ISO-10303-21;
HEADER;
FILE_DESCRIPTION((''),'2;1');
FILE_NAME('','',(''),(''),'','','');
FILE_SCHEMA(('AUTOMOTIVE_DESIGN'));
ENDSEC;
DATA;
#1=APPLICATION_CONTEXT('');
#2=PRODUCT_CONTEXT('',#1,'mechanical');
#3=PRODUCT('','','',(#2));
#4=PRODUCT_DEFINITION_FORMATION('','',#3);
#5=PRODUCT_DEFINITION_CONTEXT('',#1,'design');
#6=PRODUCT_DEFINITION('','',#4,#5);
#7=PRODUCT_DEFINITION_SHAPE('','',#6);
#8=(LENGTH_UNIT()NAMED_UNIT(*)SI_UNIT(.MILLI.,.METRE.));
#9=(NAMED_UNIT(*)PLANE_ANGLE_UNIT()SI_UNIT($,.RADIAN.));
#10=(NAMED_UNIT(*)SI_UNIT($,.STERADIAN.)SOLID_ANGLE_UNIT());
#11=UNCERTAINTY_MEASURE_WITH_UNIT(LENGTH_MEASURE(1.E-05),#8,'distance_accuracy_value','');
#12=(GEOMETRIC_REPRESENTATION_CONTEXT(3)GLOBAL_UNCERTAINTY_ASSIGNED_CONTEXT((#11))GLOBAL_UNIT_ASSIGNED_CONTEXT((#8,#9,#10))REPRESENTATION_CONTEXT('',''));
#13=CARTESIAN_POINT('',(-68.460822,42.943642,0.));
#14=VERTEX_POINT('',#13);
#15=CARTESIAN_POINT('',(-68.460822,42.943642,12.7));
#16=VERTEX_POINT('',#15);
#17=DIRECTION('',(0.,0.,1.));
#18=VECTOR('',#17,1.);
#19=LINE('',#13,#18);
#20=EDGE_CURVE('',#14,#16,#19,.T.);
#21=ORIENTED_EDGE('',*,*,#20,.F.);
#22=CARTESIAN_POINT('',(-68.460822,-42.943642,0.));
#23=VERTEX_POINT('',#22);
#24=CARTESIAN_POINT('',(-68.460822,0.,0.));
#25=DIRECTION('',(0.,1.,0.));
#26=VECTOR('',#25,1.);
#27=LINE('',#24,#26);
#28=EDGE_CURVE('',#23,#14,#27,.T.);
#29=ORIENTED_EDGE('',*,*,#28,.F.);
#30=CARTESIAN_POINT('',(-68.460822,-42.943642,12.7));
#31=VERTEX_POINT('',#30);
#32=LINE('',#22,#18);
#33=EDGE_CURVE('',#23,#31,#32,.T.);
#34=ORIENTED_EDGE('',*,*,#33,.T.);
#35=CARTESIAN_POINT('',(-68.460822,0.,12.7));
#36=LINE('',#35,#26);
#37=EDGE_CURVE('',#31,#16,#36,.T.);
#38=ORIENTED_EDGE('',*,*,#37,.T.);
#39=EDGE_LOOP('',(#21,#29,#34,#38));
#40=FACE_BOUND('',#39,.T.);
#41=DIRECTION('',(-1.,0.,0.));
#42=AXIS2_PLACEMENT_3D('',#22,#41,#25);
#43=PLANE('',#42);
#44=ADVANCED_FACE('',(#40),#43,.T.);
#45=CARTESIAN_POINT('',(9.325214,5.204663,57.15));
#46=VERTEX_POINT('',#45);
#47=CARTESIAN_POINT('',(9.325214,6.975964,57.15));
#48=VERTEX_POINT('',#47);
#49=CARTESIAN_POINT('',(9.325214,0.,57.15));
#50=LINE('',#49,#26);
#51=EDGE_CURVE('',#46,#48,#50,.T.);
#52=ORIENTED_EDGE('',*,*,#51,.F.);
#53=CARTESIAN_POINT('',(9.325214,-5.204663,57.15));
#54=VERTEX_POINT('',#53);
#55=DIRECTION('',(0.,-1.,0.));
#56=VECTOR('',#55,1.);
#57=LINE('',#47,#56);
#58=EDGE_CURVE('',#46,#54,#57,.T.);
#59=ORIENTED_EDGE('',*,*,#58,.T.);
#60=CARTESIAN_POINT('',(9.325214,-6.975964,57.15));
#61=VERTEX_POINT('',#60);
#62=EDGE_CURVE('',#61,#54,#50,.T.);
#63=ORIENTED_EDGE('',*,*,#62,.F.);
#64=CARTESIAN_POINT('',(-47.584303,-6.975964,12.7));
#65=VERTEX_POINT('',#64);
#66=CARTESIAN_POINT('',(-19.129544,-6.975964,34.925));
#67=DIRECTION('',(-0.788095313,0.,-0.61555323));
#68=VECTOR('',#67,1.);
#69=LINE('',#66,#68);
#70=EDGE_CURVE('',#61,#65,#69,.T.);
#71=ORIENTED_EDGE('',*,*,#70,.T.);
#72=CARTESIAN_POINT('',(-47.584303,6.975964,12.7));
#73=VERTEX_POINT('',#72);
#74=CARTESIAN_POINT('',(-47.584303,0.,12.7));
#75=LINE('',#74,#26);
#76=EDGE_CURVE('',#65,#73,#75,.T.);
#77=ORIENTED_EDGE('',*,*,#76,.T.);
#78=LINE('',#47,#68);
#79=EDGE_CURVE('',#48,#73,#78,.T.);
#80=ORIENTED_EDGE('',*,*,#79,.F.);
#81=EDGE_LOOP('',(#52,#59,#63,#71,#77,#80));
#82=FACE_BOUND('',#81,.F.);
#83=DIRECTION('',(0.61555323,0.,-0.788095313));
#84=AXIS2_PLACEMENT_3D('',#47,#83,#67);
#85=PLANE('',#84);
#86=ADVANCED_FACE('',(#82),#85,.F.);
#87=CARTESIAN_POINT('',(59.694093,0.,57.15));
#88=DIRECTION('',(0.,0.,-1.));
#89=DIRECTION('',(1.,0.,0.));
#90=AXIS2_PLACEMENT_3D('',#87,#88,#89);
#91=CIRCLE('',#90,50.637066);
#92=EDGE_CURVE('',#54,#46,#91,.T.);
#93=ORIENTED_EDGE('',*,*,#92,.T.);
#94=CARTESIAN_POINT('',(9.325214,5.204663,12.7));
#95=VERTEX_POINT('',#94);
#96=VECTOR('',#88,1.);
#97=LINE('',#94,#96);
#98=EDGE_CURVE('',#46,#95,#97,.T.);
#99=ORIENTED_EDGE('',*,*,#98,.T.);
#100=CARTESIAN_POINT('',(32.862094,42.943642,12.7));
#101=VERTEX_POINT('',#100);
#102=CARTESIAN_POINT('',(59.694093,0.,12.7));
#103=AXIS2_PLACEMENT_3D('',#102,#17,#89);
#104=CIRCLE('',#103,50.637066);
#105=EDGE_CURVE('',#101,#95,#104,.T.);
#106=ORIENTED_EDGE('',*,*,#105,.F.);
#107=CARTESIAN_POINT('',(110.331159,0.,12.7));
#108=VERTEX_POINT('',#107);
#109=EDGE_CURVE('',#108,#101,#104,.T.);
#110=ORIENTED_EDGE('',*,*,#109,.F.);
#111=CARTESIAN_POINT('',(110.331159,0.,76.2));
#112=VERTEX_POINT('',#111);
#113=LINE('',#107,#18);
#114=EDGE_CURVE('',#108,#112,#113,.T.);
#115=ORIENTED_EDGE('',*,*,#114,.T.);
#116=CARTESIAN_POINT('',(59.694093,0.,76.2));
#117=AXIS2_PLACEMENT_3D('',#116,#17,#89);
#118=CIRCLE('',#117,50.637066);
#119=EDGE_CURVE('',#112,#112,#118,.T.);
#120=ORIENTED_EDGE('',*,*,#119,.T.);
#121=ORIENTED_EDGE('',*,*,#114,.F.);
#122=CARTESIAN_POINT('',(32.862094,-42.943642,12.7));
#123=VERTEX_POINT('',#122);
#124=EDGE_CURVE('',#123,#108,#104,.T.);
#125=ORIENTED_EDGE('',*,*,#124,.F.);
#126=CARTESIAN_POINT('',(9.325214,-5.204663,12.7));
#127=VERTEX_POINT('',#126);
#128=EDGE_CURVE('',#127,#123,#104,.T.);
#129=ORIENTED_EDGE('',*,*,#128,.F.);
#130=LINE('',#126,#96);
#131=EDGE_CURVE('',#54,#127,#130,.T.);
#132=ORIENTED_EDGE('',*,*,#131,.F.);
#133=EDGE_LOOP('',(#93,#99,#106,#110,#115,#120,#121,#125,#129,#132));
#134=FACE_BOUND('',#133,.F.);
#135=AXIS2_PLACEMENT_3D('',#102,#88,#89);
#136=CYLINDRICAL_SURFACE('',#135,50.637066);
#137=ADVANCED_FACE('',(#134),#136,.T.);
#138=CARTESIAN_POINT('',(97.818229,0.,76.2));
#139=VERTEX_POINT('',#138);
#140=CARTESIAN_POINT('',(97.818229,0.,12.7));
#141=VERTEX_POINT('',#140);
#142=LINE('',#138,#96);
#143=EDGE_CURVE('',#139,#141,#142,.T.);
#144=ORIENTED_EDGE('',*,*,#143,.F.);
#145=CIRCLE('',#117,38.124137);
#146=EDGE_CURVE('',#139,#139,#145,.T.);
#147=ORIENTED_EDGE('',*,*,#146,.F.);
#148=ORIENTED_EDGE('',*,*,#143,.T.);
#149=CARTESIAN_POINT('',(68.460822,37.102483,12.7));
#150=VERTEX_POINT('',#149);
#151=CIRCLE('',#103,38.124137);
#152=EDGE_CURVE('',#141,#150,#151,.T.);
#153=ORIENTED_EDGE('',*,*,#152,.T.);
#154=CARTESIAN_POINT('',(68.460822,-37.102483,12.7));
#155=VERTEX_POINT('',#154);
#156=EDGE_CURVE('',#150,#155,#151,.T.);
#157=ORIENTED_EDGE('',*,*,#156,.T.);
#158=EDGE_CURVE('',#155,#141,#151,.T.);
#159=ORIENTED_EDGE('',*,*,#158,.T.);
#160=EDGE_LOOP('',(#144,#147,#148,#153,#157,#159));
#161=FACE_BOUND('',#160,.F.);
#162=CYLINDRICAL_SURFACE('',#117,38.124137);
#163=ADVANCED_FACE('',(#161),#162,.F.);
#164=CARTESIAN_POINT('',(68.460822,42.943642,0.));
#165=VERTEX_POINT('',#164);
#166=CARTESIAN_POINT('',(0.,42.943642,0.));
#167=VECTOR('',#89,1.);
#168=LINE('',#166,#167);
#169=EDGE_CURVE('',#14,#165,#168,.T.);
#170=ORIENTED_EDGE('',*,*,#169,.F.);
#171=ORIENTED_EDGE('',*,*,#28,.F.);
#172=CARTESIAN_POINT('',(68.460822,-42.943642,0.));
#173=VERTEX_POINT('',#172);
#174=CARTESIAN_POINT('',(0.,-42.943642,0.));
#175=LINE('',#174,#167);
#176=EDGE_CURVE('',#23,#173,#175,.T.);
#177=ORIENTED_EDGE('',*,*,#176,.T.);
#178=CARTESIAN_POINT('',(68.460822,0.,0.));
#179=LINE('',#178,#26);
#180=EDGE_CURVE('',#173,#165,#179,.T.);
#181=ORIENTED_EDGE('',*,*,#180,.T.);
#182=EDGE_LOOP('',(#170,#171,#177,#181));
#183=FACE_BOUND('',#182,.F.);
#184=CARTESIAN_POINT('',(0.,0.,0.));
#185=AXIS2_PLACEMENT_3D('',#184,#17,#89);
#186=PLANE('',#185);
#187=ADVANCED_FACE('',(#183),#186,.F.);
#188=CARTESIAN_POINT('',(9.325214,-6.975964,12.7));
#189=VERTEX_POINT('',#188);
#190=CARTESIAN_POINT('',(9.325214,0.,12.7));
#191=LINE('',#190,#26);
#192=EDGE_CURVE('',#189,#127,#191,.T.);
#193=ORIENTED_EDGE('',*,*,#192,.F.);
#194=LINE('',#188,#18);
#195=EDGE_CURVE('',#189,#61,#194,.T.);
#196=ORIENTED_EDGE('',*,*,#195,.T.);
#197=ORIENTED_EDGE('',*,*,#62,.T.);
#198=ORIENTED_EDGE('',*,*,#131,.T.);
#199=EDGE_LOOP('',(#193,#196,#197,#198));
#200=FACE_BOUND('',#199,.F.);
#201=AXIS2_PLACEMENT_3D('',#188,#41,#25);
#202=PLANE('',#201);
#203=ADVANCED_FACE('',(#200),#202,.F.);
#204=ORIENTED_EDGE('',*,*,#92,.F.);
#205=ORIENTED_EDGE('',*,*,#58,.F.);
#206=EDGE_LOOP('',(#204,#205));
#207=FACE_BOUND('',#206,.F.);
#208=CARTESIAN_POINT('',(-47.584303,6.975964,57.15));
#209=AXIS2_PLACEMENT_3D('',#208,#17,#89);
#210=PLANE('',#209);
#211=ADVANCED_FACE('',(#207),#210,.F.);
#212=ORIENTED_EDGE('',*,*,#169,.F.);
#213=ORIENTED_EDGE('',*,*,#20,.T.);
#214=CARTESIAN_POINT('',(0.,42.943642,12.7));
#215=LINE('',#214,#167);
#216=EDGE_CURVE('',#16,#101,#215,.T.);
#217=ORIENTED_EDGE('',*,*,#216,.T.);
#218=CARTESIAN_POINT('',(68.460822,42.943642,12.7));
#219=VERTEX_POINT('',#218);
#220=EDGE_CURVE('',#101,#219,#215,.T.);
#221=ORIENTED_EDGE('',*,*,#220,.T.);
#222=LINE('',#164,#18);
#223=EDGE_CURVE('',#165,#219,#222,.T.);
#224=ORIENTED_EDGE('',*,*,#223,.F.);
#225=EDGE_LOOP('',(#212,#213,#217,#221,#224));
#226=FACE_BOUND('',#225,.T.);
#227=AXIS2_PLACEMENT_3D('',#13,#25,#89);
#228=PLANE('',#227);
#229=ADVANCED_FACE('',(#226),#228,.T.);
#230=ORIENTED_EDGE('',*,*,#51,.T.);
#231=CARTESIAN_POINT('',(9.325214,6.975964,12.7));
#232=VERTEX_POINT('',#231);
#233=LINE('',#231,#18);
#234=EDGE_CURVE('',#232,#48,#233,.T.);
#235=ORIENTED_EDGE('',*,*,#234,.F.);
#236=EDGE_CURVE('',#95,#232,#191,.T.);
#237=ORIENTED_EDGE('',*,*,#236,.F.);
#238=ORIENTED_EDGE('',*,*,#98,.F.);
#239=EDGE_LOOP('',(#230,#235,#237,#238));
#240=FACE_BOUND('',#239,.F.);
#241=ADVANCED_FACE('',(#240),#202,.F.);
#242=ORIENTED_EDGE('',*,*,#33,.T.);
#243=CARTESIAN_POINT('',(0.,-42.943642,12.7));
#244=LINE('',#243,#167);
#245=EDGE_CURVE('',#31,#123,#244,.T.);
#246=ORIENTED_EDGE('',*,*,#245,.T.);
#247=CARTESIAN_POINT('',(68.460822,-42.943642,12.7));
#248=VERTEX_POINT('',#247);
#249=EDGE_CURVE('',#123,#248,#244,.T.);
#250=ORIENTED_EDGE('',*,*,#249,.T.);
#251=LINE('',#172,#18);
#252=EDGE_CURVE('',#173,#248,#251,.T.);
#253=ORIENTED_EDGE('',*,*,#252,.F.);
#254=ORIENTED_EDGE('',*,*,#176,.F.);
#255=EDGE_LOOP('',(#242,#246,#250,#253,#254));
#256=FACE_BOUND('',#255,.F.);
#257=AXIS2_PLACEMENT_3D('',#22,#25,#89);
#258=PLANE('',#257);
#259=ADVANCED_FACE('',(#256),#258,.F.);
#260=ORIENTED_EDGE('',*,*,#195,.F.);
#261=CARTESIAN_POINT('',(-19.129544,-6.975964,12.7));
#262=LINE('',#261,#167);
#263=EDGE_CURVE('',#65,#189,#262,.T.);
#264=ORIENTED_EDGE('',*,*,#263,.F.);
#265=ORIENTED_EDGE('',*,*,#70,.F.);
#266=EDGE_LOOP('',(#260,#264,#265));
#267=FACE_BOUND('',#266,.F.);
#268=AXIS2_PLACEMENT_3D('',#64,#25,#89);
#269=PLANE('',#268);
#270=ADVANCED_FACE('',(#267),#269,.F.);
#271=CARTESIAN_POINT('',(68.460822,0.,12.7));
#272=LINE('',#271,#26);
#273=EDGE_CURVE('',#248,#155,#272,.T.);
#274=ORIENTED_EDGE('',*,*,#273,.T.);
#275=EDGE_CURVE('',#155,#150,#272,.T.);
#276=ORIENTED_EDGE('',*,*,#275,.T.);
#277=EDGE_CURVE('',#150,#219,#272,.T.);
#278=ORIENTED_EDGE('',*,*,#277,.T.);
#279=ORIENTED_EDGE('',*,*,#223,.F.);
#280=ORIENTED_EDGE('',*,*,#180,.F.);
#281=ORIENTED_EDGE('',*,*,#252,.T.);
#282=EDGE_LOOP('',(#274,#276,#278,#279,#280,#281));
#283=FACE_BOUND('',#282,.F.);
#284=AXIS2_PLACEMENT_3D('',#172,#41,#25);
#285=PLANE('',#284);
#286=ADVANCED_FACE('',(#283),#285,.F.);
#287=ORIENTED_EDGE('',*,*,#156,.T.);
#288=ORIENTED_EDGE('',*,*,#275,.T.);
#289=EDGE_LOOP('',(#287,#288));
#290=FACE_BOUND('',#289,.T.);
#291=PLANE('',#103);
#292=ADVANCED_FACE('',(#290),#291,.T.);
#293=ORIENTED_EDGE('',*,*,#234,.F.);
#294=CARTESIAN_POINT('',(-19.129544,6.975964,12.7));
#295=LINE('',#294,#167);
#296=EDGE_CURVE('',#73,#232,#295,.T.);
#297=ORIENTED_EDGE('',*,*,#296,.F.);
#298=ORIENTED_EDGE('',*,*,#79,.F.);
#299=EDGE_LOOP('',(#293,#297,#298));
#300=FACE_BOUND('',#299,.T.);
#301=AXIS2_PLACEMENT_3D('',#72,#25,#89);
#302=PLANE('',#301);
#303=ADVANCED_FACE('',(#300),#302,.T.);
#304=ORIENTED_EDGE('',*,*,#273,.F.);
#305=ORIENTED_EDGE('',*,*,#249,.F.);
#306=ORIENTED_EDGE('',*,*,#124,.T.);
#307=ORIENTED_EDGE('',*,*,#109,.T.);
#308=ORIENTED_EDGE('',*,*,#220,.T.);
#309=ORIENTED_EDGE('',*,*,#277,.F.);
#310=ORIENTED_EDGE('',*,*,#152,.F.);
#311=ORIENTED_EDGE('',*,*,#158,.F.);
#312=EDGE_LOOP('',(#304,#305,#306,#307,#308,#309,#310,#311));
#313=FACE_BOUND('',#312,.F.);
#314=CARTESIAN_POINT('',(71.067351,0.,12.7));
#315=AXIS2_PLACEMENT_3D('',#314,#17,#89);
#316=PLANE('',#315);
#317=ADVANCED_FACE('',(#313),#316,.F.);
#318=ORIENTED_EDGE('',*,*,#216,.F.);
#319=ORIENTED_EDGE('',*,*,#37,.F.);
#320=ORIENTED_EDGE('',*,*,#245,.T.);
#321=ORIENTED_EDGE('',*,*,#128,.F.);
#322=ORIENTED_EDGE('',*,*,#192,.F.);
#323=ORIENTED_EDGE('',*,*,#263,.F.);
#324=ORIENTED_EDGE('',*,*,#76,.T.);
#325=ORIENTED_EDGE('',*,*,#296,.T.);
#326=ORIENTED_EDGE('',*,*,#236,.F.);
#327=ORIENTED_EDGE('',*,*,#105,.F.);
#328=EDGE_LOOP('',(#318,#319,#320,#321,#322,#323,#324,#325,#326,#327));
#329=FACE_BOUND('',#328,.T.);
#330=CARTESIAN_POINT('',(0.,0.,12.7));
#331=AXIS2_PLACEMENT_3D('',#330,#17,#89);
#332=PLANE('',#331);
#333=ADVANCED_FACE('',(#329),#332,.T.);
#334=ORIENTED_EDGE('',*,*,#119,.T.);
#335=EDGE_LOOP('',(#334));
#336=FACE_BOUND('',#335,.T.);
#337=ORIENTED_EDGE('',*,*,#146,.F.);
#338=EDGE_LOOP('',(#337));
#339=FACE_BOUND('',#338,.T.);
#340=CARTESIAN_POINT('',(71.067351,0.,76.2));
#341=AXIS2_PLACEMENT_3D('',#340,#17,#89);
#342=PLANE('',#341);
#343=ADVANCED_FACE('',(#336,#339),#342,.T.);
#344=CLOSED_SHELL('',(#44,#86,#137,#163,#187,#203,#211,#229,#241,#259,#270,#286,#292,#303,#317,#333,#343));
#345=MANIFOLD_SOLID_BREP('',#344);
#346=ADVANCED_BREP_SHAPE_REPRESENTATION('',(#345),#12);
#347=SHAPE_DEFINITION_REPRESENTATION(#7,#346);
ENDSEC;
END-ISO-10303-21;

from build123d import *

# Parameters (mm, degrees)
F0_W     = 136.9216442108
F0_H     = 85.8872830868
F1_DEPTH = 12.7
F3_DEPTH = 63.5
F4_R     = 38.1241365852
F5_DEPTH = 63.5
F6_W     = 56.9095164537
F6_H     = 13.9519274235
F7_DEPTH = 44.45
F9_DEPTH = 25.4


with BuildPart() as f1:
    # F0 (on Top) → F1 (new body)
    with BuildSketch(Plane.XY):
        Rectangle(F0_W, F0_H)
    extrude(amount=F1_DEPTH)

    # F2 (on face) → F3 (join)
    with BuildSketch(Plane.XY.offset(12.7)):
        with BuildLine():
            ThreePointArc((32.8620942883, -42.9436415434), (84.2442332892, -44.2877306594), (110.3311590742, 0))
            ThreePointArc((110.3311590742, 0), (84.2442332892, 44.2877306594), (32.8620942883, 42.9436415434))
            Line((32.8620942883, 42.9436415434), (68.4608221054, 42.9436415434))
            Line((68.4608221054, 42.9436415434), (68.4608221054, -42.9436415434))
            Line((68.4608221054, -42.9436415434), (32.8620942883, -42.9436415434))
        make_face()
        with BuildLine():
            Line((68.4608221054, 42.9436415434), (32.8620942883, 42.9436415434))
            ThreePointArc((32.8620942883, 42.9436415434), (9.0570263673, 0), (32.8620942883, -42.9436415434))
            Line((32.8620942883, -42.9436415434), (68.4608221054, -42.9436415434))
            Line((68.4608221054, -42.9436415434), (68.4608221054, 42.9436415434))
        make_face()
    extrude(amount=F3_DEPTH)

    # F4 (on face) → F5 (cut)
    with BuildSketch(Plane.XY.offset(76.2)):
        with Locations((59.6940927207, 0)):
            Circle(F4_R)
    extrude(amount=-F5_DEPTH, mode=Mode.SUBTRACT)

    # F6 (on face) → F7 (join)
    with BuildSketch(Plane.XY.offset(12.7)):
        with Locations((-19.1295444965, 0)):
            Rectangle(F6_W, F6_H)
    extrude(amount=F7_DEPTH)

    # F8 (on face) → F9 (cut)
    with BuildSketch(Plane(origin=(0, 6.9759637117, 0), x_dir=(-1, 0, 0), z_dir=(0, 1, 0))):
        Polygon((47.5843027234, 57.15), (-9.3252137303, 57.15), (47.5843027234, 12.7), align=None)
    extrude(amount=-F9_DEPTH, mode=Mode.SUBTRACT)


solid = f1.part
